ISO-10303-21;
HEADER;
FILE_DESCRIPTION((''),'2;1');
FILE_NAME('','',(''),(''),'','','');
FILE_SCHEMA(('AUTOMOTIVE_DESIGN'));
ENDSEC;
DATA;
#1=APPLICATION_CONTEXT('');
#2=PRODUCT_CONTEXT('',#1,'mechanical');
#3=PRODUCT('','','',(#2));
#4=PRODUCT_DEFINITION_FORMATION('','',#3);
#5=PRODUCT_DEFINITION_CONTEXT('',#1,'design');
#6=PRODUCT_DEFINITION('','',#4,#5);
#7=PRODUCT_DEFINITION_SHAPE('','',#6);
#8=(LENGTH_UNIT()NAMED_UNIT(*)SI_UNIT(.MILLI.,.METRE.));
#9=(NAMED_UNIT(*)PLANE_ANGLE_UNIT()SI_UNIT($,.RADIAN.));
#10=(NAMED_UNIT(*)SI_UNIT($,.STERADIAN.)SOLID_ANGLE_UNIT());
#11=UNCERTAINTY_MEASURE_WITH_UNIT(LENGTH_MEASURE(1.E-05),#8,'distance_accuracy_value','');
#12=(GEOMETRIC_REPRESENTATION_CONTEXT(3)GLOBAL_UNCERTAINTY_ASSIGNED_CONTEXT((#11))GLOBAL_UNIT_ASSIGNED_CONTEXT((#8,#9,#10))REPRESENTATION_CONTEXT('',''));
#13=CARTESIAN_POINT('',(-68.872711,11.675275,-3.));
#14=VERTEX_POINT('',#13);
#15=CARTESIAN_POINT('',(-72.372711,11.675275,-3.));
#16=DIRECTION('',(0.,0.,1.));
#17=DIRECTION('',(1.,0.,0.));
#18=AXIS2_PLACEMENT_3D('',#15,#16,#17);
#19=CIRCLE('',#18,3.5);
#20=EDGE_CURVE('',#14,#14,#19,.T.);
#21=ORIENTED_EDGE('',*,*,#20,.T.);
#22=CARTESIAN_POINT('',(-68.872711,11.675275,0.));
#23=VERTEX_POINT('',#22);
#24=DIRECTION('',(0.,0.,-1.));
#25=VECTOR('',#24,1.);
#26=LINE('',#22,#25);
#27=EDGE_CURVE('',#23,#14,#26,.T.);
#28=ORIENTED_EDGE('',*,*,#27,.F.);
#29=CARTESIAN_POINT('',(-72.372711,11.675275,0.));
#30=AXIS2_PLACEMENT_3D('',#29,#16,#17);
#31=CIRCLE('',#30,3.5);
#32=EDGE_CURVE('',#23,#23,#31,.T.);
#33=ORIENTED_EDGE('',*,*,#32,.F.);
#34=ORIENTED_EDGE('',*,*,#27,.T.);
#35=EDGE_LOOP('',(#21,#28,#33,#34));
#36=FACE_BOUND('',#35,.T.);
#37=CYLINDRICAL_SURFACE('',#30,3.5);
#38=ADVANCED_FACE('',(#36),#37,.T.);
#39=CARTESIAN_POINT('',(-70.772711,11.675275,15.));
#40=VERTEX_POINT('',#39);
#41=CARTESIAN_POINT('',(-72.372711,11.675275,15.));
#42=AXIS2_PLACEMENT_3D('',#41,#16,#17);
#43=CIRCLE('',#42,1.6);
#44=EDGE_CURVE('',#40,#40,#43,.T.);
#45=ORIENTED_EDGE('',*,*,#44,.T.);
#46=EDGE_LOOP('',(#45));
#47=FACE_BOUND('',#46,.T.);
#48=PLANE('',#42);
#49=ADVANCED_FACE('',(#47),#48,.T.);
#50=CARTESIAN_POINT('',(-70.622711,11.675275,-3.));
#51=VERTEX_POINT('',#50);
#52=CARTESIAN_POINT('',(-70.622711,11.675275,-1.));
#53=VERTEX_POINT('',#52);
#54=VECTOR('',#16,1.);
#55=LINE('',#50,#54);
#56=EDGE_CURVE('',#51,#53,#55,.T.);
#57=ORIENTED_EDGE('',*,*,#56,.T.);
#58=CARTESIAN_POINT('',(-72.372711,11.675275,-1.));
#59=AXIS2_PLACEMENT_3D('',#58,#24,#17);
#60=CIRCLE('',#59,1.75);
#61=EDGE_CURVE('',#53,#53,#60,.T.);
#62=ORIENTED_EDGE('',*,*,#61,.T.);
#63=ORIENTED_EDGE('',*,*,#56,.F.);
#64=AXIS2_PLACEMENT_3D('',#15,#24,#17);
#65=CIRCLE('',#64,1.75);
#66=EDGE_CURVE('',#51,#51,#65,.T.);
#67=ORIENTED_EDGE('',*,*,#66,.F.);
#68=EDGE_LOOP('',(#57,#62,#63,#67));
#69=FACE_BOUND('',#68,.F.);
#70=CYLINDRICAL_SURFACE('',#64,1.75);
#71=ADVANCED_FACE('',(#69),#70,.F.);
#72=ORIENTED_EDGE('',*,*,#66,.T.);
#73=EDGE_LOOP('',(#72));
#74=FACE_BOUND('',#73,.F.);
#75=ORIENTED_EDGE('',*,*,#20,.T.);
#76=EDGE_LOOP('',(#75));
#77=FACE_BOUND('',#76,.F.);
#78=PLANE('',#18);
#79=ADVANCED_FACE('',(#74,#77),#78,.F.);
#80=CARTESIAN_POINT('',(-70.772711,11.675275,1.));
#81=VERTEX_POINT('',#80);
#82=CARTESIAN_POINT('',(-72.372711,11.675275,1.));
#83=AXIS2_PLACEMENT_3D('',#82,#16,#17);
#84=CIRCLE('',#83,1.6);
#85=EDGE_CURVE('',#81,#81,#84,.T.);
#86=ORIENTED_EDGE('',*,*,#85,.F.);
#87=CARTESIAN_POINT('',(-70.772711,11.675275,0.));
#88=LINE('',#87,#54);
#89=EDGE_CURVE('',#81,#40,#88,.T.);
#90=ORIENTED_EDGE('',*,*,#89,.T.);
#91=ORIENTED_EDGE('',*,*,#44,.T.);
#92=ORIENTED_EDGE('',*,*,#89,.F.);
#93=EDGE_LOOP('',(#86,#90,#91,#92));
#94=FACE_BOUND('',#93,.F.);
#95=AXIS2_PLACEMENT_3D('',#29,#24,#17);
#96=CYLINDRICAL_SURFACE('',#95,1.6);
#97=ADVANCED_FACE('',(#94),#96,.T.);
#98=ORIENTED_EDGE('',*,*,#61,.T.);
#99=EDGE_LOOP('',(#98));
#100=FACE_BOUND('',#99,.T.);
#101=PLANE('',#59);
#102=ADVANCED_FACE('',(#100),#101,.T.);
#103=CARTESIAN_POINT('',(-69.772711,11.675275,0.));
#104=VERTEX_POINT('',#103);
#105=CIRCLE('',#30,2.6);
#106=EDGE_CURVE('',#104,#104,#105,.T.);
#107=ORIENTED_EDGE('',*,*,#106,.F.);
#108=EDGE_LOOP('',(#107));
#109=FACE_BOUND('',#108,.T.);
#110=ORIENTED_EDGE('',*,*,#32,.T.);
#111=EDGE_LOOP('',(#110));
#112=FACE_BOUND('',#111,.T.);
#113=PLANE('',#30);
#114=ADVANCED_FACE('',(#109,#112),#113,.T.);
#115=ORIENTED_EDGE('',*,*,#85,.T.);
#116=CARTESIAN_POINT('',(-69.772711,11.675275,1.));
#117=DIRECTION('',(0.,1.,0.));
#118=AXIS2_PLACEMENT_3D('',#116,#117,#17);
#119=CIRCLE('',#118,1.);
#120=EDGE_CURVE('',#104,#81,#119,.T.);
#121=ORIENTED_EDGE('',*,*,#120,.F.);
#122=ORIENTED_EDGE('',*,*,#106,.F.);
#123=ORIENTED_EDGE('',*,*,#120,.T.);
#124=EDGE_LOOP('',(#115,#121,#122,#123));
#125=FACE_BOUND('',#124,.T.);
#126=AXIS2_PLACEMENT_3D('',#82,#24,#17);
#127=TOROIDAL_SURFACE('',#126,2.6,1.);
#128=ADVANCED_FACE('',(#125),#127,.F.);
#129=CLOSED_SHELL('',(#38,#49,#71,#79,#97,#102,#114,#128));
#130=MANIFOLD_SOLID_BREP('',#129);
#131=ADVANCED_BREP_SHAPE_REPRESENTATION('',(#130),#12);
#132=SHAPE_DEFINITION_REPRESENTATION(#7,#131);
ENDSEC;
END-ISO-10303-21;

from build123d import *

# Parameters (mm, degrees)
SKETCH020_R     = 1.6
PAD015_DEPTH    = 15
SKETCH021_R     = 3.5
PAD016_DEPTH    = 3
SKETCH022_R     = 1.75
POCKET003_DEPTH = 2
FILLET002_R     = 1


with BuildPart() as part:
    # Sketch020 → Pad015 (new body)
    with BuildSketch(Plane.XY):
        with Locations((-72.372711, 11.675275)):
            Circle(SKETCH020_R)
    extrude(amount=PAD015_DEPTH)

    # Sketch021 → Pad016 (join)
    with BuildSketch(Plane.XY):
        with Locations((-72.372711, 11.675275)):
            Circle(SKETCH021_R)
    extrude(amount=-PAD016_DEPTH)

    # Sketch022 (on Face3 of Pad016) → Pocket003 (cut)
    with BuildSketch(Plane(origin=(0, 0, -3), x_dir=(1, 0, 0), z_dir=(0, 0, -1))):
        with Locations((-72.372711, -11.675275)):
            Circle(SKETCH022_R)
    extrude(amount=-POCKET003_DEPTH, mode=Mode.SUBTRACT)

    # Fillet002
    fillet002_edges = [part.edges().sort_by_distance(p)[0] for p in [
        (-73.972711, 11.675275, 0),
    ]]
    fillet(fillet002_edges, radius=FILLET002_R)


solid = part.part
